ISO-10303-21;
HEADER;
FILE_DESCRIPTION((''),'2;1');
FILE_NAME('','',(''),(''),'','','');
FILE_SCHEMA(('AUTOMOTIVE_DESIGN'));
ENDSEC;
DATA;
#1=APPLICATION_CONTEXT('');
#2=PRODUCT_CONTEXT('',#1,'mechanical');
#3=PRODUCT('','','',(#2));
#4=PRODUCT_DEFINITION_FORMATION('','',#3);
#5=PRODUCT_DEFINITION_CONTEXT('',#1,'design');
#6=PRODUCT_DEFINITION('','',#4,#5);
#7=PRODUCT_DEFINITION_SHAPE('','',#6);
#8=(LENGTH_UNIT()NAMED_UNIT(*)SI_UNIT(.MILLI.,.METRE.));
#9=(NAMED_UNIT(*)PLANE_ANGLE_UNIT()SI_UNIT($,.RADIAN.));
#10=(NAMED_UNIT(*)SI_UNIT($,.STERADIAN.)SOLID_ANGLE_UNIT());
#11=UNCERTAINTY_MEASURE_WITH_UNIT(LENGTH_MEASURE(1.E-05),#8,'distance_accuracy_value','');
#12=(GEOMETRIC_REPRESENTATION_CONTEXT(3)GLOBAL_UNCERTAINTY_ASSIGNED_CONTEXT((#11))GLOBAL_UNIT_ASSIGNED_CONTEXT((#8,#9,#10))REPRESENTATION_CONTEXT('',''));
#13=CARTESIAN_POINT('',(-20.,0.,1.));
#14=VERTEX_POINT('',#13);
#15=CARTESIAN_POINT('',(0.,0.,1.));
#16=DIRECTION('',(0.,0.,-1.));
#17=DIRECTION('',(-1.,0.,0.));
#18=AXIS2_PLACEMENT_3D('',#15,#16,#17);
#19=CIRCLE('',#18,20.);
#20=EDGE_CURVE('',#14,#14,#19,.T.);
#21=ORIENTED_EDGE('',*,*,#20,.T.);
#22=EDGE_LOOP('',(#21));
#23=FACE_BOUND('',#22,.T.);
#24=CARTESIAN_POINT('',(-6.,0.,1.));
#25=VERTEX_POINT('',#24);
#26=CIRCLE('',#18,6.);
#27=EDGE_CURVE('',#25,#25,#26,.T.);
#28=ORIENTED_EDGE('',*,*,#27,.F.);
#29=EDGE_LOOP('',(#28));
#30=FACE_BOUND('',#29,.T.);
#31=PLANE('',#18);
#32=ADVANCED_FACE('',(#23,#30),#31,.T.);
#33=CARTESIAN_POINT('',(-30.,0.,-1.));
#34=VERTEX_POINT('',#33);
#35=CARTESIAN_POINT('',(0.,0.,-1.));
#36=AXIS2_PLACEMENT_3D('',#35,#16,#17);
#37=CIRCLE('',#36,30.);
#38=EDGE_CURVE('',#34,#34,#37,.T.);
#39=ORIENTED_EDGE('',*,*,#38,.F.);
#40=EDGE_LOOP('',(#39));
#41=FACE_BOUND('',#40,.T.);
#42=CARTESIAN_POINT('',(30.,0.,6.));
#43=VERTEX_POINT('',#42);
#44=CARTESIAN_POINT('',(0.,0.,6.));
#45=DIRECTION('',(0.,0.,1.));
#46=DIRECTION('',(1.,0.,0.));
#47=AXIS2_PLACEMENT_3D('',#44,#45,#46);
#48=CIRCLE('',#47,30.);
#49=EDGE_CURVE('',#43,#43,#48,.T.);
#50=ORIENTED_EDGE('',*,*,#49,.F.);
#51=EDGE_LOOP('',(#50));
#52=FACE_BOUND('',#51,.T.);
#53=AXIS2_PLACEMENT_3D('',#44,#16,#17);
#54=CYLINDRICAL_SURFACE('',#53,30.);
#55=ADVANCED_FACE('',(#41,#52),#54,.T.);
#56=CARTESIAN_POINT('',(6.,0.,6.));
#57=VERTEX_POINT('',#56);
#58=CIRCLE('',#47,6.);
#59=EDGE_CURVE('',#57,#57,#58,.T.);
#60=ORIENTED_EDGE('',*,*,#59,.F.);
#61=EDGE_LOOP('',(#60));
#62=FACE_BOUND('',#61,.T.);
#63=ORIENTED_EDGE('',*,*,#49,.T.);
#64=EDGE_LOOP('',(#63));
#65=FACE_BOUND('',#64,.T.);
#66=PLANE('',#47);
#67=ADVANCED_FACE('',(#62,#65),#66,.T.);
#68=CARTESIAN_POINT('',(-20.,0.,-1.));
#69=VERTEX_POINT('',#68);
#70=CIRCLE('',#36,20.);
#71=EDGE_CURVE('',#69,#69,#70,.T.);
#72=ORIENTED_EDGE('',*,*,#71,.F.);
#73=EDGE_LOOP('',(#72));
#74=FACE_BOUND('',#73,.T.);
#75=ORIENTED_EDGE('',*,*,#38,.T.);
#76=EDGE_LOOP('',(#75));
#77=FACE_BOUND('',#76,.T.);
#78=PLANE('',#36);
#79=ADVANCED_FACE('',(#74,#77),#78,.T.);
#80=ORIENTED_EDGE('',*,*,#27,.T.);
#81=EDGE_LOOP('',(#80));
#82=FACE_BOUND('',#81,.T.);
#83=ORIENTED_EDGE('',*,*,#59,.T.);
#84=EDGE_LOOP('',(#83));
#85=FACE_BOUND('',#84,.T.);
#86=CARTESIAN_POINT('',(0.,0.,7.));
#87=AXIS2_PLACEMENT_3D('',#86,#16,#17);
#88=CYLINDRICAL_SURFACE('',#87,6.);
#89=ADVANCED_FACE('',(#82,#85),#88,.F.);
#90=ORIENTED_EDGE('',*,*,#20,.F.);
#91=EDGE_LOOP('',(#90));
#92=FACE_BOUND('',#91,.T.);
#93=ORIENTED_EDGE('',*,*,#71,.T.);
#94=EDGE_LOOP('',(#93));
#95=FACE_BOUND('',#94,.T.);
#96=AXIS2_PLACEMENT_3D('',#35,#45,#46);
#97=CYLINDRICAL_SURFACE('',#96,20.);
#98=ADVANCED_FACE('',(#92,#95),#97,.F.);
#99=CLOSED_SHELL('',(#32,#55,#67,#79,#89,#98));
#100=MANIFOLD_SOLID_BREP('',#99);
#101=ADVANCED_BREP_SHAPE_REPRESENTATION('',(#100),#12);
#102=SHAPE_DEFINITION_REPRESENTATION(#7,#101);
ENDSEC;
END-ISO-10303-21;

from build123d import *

# Parameters (mm, degrees)
SKETCH2_R           = 30
BOSS_EXTRUDE1_DEPTH = 6
SKETCH3_R           = 8
CUT_EXTRUDE1_DEPTH  = 2
SKETCH4_R           = 6
CUT_EXTRUDE2_DEPTH  = 5
SKETCH5_R           = 30
SKETCH5_R_2         = 8
CUT_EXTRUDE3_DEPTH  = 2
BOSS_EXTRUDE3_START = 3
SKETCH7_R           = 30
SKETCH7_R_2         = 20
BOSS_EXTRUDE3_DEPTH = 3
BOSS_EXTRUDE4_START = 1
SKETCH8_R           = 20
SKETCH8_R_2         = 6
BOSS_EXTRUDE4_DEPTH = 1


with BuildPart() as part:
    # Sketch2 → Boss-Extrude1 (new body)
    with BuildSketch(Plane.XY):
        Circle(SKETCH2_R)
    extrude(amount=BOSS_EXTRUDE1_DEPTH)

    # Sketch3 → Cut-Extrude1 (cut)
    with BuildSketch(Plane(origin=(0, 0, 0), x_dir=(-1, 0, 0), z_dir=(0, 0, -1))):
        Circle(SKETCH3_R)
    extrude(amount=-CUT_EXTRUDE1_DEPTH, mode=Mode.SUBTRACT)

    # Sketch4 → Cut-Extrude2 (cut)
    with BuildSketch(Plane(origin=(0, 0, 2), x_dir=(-1, 0, 0), z_dir=(0, 0, -1))):
        Circle(SKETCH4_R)
    extrude(amount=-CUT_EXTRUDE2_DEPTH, mode=Mode.SUBTRACT)

    # Sketch5 → Cut-Extrude3 (cut)
    with BuildSketch(Plane(origin=(0, 0, 0), x_dir=(-1, 0, 0), z_dir=(0, 0, -1))):
        Circle(SKETCH5_R)
        Circle(SKETCH5_R_2, mode=Mode.SUBTRACT)
    extrude(amount=-CUT_EXTRUDE3_DEPTH, mode=Mode.SUBTRACT)

    # Sketch7 → Boss-Extrude3 (add)
    with BuildSketch(Plane(origin=(0, 0, 2), x_dir=(-1, 0, 0), z_dir=(0, 0, -1)).offset(BOSS_EXTRUDE3_START)):
        Circle(SKETCH7_R)
        Circle(SKETCH7_R_2, mode=Mode.SUBTRACT)
    extrude(amount=-BOSS_EXTRUDE3_DEPTH)

    # Sketch8 → Boss-Extrude4 (add)
    with BuildSketch(Plane(origin=(0, 0, 2), x_dir=(-1, 0, 0), z_dir=(0, 0, -1)).offset(BOSS_EXTRUDE4_START)):
        Circle(SKETCH8_R)
        Circle(SKETCH8_R_2, mode=Mode.SUBTRACT)
    extrude(amount=-BOSS_EXTRUDE4_DEPTH)


solid = part.part
